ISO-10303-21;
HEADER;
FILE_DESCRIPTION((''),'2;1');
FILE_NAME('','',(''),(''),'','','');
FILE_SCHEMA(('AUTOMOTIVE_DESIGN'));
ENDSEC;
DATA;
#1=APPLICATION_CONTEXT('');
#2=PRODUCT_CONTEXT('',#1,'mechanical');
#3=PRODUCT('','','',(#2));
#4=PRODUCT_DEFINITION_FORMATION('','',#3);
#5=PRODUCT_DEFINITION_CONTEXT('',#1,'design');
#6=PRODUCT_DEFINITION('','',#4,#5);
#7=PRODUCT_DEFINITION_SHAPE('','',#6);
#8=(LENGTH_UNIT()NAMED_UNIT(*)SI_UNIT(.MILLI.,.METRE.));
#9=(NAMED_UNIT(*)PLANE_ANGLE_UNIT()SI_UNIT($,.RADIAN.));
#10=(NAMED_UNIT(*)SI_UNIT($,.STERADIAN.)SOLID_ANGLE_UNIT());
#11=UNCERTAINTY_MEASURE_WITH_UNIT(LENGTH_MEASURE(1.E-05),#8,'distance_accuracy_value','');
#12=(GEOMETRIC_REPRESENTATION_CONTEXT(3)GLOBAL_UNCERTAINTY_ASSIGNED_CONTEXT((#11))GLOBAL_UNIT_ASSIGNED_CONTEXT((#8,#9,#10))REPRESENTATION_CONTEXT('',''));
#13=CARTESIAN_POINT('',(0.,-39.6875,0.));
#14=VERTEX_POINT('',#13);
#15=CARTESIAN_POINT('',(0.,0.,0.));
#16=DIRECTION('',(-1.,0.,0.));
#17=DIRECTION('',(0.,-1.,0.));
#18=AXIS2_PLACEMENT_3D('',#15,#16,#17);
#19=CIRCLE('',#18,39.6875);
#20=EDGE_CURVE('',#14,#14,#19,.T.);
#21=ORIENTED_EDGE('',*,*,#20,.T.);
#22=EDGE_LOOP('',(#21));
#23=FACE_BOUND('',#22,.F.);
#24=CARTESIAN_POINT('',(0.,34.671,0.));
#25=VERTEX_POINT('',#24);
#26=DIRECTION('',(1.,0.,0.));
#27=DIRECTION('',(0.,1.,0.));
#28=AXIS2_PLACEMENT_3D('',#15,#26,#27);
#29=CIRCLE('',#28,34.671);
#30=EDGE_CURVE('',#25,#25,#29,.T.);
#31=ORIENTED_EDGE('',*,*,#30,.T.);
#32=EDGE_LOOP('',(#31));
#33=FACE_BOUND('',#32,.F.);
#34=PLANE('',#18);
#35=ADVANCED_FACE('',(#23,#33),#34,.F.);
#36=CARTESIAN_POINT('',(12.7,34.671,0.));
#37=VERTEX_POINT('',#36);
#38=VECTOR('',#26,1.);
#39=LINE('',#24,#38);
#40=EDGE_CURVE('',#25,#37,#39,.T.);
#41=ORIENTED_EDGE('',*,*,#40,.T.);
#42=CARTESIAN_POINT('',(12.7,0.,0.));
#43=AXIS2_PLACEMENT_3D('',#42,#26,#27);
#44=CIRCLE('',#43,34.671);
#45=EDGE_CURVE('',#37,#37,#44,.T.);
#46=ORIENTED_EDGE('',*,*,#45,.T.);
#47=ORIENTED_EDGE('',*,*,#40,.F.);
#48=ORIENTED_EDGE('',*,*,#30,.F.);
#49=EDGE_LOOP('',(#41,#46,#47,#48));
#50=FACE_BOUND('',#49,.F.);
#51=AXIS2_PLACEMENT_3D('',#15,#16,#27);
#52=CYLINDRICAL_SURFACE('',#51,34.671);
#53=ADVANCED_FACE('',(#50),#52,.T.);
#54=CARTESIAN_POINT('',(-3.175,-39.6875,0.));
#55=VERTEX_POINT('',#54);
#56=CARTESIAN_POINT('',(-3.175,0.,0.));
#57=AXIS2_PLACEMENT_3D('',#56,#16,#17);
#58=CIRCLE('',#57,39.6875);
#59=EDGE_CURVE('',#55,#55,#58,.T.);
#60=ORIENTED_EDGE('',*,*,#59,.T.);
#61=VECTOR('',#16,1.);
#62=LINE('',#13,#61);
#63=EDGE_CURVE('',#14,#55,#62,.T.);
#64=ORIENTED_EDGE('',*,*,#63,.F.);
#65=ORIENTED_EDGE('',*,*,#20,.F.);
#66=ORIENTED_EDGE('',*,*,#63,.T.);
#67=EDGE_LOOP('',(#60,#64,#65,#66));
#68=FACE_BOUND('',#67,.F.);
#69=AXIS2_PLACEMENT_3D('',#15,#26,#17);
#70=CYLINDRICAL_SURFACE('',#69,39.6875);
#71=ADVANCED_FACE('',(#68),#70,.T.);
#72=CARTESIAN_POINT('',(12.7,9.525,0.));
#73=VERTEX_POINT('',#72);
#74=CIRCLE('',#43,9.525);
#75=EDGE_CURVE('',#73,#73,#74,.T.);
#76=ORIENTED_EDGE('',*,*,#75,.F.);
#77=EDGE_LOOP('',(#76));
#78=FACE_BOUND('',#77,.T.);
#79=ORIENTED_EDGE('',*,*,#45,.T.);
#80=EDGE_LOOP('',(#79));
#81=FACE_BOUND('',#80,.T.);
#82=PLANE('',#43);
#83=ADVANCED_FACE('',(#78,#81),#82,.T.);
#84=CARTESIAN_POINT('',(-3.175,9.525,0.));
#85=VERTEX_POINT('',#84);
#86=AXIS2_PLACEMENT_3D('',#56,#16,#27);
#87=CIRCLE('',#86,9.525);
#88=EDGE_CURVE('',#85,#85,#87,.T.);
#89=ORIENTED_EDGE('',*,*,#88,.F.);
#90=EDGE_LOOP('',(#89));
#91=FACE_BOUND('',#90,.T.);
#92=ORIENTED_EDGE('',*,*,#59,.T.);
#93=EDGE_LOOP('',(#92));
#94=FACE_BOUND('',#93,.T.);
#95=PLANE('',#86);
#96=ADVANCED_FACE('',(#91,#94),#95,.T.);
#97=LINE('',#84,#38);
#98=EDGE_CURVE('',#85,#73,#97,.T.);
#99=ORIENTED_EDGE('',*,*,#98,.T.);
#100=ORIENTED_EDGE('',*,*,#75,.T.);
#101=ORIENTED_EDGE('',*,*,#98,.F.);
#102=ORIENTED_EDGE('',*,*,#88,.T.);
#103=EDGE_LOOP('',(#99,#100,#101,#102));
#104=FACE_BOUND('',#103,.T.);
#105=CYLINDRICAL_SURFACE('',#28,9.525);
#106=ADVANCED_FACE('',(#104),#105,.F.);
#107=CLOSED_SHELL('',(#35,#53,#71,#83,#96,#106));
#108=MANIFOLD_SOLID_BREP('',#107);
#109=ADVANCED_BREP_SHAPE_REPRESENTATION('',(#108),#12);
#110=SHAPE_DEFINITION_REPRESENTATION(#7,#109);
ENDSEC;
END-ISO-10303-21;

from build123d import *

# Parameters (mm, degrees)
F0_R      = 34.671
F0_R_2    = 9.525
F1_DEPTH  = 12.7
F2_R      = 39.6875
F2_R_2    = 34.671
F3_DEPTH  = 3.175
F1_FACE_R = 9.525
F4_DEPTH  = 3.175


with BuildPart() as f1:
    # F0 (on Right) → F1 (new body)
    with BuildSketch(Plane.YZ):
        Circle(F0_R)
        Circle(F0_R_2, mode=Mode.SUBTRACT)
    extrude(amount=F1_DEPTH)

    # F2 (on face) → F3 (join)
    with BuildSketch(Plane(origin=(0, 0, 0), x_dir=(0, -1, 0), z_dir=(-1, 0, 0))):
        Circle(F2_R)
        Circle(F2_R_2, mode=Mode.SUBTRACT)
    extrude(amount=F3_DEPTH)

    # F1_face (on face) → F4 (join)
    with BuildSketch(Plane(origin=(0, 0, 0), x_dir=(0, 1, 0), z_dir=(-1, 0, 0))):
        with BuildLine():
            ThreePointArc((-34.671, 0), (0, -34.671), (34.671, 0))
            ThreePointArc((34.671, 0), (0, 34.671), (-34.671, 0))
        make_face()
        Circle(F1_FACE_R, mode=Mode.SUBTRACT)
    extrude(amount=F4_DEPTH)


solid = f1.part
